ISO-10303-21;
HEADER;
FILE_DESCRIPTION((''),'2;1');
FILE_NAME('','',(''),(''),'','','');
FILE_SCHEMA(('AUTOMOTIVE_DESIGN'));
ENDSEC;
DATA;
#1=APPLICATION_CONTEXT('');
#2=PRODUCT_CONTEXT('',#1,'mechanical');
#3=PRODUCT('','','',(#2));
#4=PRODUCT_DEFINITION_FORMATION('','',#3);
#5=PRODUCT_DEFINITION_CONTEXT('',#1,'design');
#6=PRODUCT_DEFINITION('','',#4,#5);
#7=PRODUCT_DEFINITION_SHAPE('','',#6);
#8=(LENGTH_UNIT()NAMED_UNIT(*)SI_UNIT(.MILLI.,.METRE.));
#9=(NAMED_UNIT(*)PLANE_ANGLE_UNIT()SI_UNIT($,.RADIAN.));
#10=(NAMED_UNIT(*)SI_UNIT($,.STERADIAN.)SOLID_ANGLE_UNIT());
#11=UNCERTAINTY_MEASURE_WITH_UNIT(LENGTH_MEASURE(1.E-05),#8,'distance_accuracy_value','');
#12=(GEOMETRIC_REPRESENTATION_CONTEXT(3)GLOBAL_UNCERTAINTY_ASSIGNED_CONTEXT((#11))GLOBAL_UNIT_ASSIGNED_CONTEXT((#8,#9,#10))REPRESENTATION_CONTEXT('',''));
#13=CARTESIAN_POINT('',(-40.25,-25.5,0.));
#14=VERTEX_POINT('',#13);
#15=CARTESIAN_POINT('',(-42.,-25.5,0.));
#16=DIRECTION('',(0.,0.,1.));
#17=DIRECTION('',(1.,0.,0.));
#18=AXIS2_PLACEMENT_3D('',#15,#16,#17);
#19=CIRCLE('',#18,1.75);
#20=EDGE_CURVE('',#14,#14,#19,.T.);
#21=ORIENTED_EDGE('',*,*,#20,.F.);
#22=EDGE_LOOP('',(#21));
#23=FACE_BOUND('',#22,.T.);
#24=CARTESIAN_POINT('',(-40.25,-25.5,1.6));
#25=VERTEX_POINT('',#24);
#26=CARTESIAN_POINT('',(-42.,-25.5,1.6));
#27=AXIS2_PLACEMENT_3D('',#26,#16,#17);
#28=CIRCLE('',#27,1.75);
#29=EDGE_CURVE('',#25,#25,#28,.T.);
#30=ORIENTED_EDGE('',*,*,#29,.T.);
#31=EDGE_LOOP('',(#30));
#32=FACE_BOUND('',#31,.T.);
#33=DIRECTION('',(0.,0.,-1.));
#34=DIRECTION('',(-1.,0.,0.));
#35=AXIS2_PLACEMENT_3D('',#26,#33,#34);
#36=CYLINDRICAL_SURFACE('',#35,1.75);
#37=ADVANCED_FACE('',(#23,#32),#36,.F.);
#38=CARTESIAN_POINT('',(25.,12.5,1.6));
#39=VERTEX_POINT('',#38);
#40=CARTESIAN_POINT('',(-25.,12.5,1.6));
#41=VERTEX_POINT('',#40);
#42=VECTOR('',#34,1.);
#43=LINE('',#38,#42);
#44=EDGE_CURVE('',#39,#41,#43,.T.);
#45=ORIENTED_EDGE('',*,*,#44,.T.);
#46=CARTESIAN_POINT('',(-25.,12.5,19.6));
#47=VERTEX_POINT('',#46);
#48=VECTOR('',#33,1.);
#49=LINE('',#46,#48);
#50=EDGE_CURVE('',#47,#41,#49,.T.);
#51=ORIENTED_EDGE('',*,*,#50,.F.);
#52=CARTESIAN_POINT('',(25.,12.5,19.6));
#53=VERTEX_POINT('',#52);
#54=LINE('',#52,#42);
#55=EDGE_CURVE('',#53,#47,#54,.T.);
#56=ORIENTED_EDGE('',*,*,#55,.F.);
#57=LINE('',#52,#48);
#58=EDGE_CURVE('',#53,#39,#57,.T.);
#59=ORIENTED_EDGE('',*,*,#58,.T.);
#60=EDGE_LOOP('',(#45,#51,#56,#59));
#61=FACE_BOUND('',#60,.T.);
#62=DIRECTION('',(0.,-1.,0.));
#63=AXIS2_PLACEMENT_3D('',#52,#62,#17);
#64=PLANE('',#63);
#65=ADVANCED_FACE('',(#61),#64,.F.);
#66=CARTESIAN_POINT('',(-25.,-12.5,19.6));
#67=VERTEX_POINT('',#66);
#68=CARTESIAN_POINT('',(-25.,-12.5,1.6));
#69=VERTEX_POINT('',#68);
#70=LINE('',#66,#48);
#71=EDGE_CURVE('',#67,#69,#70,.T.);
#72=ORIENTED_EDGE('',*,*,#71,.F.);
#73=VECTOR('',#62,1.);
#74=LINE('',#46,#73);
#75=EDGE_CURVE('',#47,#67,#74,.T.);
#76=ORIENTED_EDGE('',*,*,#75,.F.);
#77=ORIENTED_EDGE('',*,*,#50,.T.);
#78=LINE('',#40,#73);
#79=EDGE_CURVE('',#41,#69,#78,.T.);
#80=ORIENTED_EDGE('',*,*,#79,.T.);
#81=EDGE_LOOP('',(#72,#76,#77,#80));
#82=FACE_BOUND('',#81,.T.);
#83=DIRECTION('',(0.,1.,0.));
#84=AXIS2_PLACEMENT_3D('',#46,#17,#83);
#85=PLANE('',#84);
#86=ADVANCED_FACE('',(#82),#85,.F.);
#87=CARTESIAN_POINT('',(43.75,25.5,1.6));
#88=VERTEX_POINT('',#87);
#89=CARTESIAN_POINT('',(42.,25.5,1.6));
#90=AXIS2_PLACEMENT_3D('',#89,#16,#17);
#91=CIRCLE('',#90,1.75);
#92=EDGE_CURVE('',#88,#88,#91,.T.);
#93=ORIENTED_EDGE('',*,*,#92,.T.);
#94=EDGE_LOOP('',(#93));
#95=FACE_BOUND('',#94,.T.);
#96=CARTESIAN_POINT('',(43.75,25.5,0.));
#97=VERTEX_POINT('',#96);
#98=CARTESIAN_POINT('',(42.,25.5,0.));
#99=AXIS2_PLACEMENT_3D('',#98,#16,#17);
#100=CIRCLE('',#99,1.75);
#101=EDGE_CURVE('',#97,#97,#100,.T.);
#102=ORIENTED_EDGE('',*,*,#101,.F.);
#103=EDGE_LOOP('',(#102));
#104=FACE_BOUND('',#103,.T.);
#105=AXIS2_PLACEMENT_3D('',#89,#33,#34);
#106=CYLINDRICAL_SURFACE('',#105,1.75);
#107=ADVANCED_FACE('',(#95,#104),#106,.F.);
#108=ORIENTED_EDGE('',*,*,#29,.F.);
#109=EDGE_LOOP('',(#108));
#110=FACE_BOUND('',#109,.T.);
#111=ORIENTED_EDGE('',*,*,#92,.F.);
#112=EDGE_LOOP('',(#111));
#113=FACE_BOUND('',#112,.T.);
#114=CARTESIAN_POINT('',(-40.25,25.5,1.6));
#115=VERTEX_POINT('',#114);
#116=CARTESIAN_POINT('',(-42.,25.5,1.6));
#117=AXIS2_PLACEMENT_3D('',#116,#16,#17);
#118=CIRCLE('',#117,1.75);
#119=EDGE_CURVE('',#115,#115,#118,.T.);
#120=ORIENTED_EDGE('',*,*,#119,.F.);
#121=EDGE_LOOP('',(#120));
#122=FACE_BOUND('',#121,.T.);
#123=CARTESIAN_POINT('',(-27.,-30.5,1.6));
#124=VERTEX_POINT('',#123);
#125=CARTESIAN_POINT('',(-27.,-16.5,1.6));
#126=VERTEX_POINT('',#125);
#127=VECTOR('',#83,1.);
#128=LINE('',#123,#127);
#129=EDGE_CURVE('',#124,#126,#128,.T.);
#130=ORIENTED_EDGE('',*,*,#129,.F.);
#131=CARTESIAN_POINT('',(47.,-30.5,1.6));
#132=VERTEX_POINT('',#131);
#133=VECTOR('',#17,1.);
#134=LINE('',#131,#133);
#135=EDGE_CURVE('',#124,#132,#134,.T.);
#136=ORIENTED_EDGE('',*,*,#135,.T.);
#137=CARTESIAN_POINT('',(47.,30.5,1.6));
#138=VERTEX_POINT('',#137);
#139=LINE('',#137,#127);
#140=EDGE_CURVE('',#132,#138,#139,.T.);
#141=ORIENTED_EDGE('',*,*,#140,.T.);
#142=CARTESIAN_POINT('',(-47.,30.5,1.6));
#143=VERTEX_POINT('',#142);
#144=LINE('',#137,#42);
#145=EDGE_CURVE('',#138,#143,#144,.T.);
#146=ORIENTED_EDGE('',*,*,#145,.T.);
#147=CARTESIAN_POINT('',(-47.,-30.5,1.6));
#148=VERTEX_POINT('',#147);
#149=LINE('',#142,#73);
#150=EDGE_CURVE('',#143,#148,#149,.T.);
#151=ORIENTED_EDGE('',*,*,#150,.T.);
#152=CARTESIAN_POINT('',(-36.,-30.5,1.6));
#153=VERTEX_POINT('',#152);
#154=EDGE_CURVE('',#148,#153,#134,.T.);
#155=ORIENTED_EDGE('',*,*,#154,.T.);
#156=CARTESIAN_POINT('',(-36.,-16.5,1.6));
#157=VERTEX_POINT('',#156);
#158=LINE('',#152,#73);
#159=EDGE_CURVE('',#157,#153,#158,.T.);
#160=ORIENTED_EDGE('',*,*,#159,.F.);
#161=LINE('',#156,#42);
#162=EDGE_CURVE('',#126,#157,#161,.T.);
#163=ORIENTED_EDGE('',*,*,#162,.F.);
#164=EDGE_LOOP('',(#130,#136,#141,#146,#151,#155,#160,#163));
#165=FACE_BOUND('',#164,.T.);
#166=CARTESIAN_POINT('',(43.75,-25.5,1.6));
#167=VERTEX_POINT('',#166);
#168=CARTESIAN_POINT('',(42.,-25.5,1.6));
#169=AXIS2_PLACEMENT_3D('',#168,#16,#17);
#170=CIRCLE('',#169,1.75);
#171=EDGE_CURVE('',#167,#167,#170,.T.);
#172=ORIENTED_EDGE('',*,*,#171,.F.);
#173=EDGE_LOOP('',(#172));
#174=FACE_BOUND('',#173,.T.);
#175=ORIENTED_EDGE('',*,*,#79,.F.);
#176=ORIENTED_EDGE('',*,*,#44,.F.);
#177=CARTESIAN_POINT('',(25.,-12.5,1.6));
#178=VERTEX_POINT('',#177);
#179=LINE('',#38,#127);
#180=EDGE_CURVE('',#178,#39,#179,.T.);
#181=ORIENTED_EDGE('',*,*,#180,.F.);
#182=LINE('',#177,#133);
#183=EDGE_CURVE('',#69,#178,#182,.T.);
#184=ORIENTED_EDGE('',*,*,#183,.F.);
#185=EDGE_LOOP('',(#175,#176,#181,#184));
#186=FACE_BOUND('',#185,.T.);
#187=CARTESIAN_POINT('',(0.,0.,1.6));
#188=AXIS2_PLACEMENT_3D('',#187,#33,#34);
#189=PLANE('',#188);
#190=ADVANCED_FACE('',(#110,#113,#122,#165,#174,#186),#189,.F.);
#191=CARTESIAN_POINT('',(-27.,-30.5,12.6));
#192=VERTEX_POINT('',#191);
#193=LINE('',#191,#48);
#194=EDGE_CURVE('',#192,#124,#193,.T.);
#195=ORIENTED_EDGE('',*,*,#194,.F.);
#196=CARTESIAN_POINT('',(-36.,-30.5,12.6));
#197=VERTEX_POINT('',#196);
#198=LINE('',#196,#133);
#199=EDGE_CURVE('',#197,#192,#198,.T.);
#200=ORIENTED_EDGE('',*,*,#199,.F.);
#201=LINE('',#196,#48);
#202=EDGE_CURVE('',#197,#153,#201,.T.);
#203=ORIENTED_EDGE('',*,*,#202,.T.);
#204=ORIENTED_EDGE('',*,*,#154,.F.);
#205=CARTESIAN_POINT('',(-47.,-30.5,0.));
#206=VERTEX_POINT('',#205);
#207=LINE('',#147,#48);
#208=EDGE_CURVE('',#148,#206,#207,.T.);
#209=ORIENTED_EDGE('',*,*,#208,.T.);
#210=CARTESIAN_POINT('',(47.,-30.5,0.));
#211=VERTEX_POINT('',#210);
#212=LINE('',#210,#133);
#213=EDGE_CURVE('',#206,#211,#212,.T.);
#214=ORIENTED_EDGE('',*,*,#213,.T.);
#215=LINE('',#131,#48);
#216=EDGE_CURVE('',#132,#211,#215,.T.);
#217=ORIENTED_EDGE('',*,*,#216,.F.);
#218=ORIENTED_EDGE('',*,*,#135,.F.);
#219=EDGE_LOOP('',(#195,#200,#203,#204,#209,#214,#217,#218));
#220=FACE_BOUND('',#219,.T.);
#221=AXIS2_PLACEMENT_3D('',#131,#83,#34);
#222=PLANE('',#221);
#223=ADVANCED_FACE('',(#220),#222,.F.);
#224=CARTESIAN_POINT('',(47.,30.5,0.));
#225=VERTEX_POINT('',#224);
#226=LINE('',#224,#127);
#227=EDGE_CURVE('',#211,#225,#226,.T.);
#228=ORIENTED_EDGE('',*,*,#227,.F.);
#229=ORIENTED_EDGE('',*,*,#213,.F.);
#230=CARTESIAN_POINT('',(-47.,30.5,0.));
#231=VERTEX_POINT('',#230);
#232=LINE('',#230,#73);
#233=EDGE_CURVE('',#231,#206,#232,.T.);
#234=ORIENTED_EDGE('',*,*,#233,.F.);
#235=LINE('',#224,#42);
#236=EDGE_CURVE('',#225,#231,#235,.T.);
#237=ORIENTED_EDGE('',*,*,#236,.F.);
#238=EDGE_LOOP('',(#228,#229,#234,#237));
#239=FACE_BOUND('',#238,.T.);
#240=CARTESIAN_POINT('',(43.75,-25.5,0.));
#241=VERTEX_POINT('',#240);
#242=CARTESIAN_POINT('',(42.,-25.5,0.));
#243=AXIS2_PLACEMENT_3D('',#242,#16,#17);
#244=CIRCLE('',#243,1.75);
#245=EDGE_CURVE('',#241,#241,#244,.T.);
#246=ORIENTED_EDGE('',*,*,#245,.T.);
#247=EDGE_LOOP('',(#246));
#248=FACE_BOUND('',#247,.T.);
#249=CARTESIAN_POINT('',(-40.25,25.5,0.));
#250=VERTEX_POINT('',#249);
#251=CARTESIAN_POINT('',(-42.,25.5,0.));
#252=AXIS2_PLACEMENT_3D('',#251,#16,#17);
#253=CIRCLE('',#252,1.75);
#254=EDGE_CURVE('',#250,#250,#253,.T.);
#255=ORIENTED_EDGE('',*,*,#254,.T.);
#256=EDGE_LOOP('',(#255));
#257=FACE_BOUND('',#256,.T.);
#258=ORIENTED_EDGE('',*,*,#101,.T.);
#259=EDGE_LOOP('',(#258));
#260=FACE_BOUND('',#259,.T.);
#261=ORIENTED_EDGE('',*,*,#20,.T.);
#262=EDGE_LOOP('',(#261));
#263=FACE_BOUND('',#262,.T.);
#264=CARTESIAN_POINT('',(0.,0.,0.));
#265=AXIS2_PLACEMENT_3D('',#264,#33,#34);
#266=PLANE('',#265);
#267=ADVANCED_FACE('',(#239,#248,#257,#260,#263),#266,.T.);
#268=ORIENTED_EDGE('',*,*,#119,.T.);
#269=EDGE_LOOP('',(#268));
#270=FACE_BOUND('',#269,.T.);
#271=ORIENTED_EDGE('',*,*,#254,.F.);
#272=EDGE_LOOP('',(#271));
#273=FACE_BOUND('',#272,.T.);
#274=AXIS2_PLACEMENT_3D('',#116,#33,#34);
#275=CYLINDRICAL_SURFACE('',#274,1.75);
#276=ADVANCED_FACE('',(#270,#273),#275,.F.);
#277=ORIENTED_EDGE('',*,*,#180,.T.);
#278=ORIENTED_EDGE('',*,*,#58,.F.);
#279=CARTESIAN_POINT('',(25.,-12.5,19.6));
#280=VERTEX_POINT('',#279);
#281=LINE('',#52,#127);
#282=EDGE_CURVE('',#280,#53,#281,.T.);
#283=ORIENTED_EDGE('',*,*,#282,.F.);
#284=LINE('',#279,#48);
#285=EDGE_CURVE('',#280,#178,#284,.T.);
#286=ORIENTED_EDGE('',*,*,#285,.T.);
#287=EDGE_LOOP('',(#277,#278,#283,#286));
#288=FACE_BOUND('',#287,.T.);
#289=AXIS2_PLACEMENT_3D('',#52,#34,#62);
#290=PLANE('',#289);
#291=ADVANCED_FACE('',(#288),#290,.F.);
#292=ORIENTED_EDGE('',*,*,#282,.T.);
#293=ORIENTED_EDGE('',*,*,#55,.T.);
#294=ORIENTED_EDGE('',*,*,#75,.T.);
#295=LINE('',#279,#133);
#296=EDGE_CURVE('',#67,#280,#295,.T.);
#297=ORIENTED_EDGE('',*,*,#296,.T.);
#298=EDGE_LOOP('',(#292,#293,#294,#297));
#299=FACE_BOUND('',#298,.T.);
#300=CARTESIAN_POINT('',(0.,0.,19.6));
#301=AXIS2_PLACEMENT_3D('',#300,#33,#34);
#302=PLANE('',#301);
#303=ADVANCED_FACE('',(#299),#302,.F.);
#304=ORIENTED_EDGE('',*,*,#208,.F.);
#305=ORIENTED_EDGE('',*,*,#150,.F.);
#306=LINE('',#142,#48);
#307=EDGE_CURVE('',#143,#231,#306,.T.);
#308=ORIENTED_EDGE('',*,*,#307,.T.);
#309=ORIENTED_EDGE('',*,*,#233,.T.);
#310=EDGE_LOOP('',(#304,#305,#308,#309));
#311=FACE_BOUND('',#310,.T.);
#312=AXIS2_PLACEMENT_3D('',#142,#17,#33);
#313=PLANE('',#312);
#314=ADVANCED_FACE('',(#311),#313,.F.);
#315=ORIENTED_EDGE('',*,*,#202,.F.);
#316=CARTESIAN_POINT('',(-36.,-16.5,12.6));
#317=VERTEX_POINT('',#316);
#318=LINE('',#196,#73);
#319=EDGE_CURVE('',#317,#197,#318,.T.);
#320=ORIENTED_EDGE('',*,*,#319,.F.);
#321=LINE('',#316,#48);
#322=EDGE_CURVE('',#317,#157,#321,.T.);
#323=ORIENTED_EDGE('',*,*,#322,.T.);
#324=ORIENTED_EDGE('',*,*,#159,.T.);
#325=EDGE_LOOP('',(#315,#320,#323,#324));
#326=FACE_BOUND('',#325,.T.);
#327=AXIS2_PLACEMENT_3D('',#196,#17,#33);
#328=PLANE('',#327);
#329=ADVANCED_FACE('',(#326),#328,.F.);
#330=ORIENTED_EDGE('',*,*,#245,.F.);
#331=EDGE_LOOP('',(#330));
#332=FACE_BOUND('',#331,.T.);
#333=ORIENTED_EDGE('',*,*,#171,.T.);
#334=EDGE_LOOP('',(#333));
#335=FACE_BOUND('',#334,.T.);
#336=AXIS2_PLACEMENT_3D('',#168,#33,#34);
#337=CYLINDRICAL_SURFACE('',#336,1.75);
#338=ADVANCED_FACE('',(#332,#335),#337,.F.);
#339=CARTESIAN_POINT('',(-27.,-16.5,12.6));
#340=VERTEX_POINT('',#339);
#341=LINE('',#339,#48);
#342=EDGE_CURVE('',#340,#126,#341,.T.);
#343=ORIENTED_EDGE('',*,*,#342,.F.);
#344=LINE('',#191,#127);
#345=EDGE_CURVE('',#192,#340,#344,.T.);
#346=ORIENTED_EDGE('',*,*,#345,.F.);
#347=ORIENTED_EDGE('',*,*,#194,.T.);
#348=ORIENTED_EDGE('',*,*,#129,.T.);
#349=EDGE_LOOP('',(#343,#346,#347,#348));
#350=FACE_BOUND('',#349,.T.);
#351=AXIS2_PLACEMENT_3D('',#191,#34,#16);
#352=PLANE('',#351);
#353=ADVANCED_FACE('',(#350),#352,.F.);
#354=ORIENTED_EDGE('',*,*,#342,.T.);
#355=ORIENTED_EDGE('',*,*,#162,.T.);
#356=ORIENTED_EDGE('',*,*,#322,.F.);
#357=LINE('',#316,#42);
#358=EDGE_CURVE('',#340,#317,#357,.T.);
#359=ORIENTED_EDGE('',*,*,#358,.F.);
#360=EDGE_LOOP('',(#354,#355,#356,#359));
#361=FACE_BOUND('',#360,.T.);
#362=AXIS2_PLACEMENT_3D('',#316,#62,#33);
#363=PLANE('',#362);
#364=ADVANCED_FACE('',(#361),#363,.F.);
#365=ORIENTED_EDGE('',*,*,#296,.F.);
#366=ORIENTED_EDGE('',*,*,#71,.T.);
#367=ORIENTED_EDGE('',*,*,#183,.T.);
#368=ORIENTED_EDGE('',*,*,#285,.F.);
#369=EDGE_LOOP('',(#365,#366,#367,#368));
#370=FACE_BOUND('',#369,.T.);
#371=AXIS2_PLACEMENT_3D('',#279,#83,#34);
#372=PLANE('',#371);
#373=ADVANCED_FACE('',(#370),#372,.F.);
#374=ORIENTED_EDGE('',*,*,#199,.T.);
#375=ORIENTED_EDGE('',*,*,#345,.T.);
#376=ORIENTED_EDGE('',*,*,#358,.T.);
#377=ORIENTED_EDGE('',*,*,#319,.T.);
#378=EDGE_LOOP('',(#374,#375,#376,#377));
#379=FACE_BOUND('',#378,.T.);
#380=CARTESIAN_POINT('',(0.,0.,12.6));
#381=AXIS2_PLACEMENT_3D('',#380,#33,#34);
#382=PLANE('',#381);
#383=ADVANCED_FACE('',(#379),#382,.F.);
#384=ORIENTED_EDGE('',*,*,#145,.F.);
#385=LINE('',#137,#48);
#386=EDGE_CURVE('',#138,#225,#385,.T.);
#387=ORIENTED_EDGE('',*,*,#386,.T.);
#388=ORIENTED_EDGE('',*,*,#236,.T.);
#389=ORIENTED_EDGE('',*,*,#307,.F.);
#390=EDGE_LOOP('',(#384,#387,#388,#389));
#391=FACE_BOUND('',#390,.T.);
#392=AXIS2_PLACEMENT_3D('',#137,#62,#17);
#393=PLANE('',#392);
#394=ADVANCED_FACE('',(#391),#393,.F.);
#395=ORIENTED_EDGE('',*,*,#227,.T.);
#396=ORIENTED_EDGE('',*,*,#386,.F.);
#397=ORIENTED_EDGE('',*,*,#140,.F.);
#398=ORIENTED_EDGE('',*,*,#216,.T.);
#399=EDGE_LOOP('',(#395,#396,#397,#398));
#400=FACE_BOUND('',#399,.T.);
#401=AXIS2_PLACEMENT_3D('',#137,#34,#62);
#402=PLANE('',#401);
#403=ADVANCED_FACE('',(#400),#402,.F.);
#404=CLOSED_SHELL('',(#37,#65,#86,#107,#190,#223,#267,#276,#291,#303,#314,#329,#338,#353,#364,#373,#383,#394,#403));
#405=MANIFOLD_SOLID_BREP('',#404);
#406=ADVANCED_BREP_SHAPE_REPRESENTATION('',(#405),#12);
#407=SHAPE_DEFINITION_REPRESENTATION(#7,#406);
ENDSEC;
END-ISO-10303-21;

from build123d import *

# Parameters (mm, degrees)
ESQUISSE1_W        = 94
ESQUISSE1_H        = 61
ESQUISSE1_R        = 1.75
BOSS_EXTRU_1_DEPTH = 1.6
ESQUISSE2_W        = 50
ESQUISSE2_H        = 25
BOSS_EXTRU_2_DEPTH = 18
ESQUISSE3_W        = 9
ESQUISSE3_H        = 14
BOSS_EXTRU_3_DEPTH = 11


with BuildPart() as part:
    # Esquisse1 → Boss.-Extru.1 (new body)
    with BuildSketch(Plane.XY):
        Rectangle(ESQUISSE1_W, ESQUISSE1_H)
        with Locations((-42, 25.5)):
            Circle(ESQUISSE1_R, mode=Mode.SUBTRACT)
        with Locations((42, 25.5)):
            Circle(ESQUISSE1_R, mode=Mode.SUBTRACT)
        with Locations((42, -25.5)):
            Circle(ESQUISSE1_R, mode=Mode.SUBTRACT)
        with Locations((-42, -25.5)):
            Circle(ESQUISSE1_R, mode=Mode.SUBTRACT)
    extrude(amount=BOSS_EXTRU_1_DEPTH)

    # Esquisse2 → Boss.-Extru.2 (add)
    with BuildSketch(Plane.XY.offset(1.6)):
        Rectangle(ESQUISSE2_W, ESQUISSE2_H)
    extrude(amount=BOSS_EXTRU_2_DEPTH)

    # Esquisse3 → Boss.-Extru.3 (add)
    with BuildSketch(Plane.XY.offset(1.6)):
        with Locations((-31.5, -23.5)):
            Rectangle(ESQUISSE3_W, ESQUISSE3_H)
    extrude(amount=BOSS_EXTRU_3_DEPTH)


solid = part.part
